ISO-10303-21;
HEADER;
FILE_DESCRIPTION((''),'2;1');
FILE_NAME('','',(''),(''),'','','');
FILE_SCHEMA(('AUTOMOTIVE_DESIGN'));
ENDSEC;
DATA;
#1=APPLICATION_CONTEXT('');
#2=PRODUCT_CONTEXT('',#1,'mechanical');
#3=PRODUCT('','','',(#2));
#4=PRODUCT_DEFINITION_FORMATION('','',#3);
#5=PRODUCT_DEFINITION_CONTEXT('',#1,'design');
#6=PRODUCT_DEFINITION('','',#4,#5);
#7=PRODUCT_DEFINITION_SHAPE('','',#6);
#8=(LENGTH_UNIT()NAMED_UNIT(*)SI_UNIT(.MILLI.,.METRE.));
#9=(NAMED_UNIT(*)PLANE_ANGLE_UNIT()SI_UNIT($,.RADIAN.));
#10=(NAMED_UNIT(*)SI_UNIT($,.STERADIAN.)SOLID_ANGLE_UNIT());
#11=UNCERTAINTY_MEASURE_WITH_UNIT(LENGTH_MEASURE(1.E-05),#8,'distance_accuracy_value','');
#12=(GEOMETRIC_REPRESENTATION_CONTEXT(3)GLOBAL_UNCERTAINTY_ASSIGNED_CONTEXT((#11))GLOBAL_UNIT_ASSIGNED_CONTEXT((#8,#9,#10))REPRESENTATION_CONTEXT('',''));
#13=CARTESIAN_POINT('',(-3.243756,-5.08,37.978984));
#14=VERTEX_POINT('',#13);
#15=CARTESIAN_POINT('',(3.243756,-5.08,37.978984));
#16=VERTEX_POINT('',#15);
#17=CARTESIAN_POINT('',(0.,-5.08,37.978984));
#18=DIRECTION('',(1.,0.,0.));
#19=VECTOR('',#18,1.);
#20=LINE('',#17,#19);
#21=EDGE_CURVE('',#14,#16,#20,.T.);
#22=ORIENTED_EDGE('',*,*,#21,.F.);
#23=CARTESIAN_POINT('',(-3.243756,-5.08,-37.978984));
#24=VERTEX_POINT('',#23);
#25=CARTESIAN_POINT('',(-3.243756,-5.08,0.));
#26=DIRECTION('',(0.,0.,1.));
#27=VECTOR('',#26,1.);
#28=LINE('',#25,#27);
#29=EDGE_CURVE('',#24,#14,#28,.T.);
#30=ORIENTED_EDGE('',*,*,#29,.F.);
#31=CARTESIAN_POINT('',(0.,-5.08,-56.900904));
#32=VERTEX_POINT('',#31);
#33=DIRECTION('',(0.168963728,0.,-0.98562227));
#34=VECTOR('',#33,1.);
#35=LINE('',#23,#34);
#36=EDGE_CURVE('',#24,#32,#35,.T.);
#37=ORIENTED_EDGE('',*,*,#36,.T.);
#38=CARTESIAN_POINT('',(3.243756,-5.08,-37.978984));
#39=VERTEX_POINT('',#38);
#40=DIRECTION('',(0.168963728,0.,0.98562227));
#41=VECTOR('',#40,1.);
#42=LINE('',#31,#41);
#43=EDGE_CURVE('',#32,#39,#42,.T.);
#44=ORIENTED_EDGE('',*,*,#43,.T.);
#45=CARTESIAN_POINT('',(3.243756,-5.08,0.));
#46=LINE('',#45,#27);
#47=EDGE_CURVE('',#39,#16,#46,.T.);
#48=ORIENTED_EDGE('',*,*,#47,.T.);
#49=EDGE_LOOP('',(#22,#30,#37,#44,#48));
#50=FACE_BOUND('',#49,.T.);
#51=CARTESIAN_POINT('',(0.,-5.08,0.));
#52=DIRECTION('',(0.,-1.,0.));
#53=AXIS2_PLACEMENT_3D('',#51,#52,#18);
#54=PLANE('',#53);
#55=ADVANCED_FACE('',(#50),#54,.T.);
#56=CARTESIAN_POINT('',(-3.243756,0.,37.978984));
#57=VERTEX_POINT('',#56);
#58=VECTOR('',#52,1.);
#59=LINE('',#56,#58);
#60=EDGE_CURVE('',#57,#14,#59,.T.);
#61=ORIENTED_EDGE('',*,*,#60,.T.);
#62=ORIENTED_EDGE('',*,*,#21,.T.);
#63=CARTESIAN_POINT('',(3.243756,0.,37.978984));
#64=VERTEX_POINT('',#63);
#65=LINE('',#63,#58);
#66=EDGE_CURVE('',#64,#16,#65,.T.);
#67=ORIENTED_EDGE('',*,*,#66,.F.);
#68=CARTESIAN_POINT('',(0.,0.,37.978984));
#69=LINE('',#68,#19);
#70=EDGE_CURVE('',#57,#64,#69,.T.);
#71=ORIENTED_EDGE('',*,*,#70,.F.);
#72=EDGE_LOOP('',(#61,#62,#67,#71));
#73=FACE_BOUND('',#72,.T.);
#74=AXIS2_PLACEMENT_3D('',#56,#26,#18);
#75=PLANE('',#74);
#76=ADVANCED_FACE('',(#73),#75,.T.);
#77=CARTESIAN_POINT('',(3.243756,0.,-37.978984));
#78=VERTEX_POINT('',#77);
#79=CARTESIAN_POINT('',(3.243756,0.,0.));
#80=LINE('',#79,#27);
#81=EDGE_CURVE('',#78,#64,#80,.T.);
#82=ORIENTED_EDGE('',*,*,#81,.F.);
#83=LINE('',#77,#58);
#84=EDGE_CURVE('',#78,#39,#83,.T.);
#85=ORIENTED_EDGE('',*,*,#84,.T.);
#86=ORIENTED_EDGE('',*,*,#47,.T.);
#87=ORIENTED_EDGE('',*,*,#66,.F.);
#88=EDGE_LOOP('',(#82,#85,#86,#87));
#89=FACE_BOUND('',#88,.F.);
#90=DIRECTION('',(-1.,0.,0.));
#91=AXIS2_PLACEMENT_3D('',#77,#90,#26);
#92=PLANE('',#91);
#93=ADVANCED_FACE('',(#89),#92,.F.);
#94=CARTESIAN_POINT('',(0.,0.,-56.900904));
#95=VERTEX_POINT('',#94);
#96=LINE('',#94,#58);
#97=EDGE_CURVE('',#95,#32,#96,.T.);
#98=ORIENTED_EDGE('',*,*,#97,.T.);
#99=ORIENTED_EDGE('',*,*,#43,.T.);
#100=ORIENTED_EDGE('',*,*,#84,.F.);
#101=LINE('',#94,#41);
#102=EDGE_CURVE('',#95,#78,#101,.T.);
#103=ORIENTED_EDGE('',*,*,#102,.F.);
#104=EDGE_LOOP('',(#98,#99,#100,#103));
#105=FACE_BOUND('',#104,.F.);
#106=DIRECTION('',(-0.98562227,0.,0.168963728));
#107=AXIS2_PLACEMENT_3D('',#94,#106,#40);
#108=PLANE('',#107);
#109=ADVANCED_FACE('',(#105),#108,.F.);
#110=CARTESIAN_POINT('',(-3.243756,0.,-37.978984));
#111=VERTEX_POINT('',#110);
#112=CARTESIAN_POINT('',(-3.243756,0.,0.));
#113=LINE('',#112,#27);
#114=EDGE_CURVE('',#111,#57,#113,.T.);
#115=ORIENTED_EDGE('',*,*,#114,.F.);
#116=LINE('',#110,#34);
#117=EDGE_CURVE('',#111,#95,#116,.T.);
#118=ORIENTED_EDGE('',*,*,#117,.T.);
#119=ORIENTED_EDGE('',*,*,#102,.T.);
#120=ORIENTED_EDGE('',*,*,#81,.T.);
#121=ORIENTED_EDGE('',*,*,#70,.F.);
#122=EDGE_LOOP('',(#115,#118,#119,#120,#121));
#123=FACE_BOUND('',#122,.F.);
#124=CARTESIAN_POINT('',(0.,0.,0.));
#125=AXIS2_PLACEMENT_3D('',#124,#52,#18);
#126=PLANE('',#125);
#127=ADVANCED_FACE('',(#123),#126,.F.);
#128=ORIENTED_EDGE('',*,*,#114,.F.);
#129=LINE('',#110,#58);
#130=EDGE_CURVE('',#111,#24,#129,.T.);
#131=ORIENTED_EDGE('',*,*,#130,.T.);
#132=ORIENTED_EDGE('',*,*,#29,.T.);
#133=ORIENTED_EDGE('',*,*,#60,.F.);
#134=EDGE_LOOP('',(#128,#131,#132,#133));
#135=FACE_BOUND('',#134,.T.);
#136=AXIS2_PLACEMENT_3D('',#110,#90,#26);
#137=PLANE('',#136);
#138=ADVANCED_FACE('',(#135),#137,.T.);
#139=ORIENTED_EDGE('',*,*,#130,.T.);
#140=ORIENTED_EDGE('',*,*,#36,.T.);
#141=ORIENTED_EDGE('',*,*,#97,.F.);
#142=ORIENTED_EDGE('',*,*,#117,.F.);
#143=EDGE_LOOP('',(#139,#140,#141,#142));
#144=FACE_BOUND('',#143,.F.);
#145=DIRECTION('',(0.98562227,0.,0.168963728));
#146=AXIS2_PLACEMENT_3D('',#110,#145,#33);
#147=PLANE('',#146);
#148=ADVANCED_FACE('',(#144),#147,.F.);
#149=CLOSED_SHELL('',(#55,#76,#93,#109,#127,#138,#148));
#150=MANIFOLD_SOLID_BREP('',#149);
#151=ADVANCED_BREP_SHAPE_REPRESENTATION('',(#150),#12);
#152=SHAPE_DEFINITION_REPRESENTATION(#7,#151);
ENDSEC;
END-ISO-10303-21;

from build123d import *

# Parameters (mm, degrees)
F0_W     = 6.487512
F0_H     = 75.957968
F1_DEPTH = 5.08


with BuildPart() as f1:
    # F0 (on Front) → F1 (new body)
    with BuildSketch(Plane.XZ):
        Rectangle(F0_W, F0_H)
        Polygon((3.243756, -37.978984), (-3.243756, -37.978984), (0, -56.900904), align=None)
    extrude(amount=F1_DEPTH)


solid = f1.part
